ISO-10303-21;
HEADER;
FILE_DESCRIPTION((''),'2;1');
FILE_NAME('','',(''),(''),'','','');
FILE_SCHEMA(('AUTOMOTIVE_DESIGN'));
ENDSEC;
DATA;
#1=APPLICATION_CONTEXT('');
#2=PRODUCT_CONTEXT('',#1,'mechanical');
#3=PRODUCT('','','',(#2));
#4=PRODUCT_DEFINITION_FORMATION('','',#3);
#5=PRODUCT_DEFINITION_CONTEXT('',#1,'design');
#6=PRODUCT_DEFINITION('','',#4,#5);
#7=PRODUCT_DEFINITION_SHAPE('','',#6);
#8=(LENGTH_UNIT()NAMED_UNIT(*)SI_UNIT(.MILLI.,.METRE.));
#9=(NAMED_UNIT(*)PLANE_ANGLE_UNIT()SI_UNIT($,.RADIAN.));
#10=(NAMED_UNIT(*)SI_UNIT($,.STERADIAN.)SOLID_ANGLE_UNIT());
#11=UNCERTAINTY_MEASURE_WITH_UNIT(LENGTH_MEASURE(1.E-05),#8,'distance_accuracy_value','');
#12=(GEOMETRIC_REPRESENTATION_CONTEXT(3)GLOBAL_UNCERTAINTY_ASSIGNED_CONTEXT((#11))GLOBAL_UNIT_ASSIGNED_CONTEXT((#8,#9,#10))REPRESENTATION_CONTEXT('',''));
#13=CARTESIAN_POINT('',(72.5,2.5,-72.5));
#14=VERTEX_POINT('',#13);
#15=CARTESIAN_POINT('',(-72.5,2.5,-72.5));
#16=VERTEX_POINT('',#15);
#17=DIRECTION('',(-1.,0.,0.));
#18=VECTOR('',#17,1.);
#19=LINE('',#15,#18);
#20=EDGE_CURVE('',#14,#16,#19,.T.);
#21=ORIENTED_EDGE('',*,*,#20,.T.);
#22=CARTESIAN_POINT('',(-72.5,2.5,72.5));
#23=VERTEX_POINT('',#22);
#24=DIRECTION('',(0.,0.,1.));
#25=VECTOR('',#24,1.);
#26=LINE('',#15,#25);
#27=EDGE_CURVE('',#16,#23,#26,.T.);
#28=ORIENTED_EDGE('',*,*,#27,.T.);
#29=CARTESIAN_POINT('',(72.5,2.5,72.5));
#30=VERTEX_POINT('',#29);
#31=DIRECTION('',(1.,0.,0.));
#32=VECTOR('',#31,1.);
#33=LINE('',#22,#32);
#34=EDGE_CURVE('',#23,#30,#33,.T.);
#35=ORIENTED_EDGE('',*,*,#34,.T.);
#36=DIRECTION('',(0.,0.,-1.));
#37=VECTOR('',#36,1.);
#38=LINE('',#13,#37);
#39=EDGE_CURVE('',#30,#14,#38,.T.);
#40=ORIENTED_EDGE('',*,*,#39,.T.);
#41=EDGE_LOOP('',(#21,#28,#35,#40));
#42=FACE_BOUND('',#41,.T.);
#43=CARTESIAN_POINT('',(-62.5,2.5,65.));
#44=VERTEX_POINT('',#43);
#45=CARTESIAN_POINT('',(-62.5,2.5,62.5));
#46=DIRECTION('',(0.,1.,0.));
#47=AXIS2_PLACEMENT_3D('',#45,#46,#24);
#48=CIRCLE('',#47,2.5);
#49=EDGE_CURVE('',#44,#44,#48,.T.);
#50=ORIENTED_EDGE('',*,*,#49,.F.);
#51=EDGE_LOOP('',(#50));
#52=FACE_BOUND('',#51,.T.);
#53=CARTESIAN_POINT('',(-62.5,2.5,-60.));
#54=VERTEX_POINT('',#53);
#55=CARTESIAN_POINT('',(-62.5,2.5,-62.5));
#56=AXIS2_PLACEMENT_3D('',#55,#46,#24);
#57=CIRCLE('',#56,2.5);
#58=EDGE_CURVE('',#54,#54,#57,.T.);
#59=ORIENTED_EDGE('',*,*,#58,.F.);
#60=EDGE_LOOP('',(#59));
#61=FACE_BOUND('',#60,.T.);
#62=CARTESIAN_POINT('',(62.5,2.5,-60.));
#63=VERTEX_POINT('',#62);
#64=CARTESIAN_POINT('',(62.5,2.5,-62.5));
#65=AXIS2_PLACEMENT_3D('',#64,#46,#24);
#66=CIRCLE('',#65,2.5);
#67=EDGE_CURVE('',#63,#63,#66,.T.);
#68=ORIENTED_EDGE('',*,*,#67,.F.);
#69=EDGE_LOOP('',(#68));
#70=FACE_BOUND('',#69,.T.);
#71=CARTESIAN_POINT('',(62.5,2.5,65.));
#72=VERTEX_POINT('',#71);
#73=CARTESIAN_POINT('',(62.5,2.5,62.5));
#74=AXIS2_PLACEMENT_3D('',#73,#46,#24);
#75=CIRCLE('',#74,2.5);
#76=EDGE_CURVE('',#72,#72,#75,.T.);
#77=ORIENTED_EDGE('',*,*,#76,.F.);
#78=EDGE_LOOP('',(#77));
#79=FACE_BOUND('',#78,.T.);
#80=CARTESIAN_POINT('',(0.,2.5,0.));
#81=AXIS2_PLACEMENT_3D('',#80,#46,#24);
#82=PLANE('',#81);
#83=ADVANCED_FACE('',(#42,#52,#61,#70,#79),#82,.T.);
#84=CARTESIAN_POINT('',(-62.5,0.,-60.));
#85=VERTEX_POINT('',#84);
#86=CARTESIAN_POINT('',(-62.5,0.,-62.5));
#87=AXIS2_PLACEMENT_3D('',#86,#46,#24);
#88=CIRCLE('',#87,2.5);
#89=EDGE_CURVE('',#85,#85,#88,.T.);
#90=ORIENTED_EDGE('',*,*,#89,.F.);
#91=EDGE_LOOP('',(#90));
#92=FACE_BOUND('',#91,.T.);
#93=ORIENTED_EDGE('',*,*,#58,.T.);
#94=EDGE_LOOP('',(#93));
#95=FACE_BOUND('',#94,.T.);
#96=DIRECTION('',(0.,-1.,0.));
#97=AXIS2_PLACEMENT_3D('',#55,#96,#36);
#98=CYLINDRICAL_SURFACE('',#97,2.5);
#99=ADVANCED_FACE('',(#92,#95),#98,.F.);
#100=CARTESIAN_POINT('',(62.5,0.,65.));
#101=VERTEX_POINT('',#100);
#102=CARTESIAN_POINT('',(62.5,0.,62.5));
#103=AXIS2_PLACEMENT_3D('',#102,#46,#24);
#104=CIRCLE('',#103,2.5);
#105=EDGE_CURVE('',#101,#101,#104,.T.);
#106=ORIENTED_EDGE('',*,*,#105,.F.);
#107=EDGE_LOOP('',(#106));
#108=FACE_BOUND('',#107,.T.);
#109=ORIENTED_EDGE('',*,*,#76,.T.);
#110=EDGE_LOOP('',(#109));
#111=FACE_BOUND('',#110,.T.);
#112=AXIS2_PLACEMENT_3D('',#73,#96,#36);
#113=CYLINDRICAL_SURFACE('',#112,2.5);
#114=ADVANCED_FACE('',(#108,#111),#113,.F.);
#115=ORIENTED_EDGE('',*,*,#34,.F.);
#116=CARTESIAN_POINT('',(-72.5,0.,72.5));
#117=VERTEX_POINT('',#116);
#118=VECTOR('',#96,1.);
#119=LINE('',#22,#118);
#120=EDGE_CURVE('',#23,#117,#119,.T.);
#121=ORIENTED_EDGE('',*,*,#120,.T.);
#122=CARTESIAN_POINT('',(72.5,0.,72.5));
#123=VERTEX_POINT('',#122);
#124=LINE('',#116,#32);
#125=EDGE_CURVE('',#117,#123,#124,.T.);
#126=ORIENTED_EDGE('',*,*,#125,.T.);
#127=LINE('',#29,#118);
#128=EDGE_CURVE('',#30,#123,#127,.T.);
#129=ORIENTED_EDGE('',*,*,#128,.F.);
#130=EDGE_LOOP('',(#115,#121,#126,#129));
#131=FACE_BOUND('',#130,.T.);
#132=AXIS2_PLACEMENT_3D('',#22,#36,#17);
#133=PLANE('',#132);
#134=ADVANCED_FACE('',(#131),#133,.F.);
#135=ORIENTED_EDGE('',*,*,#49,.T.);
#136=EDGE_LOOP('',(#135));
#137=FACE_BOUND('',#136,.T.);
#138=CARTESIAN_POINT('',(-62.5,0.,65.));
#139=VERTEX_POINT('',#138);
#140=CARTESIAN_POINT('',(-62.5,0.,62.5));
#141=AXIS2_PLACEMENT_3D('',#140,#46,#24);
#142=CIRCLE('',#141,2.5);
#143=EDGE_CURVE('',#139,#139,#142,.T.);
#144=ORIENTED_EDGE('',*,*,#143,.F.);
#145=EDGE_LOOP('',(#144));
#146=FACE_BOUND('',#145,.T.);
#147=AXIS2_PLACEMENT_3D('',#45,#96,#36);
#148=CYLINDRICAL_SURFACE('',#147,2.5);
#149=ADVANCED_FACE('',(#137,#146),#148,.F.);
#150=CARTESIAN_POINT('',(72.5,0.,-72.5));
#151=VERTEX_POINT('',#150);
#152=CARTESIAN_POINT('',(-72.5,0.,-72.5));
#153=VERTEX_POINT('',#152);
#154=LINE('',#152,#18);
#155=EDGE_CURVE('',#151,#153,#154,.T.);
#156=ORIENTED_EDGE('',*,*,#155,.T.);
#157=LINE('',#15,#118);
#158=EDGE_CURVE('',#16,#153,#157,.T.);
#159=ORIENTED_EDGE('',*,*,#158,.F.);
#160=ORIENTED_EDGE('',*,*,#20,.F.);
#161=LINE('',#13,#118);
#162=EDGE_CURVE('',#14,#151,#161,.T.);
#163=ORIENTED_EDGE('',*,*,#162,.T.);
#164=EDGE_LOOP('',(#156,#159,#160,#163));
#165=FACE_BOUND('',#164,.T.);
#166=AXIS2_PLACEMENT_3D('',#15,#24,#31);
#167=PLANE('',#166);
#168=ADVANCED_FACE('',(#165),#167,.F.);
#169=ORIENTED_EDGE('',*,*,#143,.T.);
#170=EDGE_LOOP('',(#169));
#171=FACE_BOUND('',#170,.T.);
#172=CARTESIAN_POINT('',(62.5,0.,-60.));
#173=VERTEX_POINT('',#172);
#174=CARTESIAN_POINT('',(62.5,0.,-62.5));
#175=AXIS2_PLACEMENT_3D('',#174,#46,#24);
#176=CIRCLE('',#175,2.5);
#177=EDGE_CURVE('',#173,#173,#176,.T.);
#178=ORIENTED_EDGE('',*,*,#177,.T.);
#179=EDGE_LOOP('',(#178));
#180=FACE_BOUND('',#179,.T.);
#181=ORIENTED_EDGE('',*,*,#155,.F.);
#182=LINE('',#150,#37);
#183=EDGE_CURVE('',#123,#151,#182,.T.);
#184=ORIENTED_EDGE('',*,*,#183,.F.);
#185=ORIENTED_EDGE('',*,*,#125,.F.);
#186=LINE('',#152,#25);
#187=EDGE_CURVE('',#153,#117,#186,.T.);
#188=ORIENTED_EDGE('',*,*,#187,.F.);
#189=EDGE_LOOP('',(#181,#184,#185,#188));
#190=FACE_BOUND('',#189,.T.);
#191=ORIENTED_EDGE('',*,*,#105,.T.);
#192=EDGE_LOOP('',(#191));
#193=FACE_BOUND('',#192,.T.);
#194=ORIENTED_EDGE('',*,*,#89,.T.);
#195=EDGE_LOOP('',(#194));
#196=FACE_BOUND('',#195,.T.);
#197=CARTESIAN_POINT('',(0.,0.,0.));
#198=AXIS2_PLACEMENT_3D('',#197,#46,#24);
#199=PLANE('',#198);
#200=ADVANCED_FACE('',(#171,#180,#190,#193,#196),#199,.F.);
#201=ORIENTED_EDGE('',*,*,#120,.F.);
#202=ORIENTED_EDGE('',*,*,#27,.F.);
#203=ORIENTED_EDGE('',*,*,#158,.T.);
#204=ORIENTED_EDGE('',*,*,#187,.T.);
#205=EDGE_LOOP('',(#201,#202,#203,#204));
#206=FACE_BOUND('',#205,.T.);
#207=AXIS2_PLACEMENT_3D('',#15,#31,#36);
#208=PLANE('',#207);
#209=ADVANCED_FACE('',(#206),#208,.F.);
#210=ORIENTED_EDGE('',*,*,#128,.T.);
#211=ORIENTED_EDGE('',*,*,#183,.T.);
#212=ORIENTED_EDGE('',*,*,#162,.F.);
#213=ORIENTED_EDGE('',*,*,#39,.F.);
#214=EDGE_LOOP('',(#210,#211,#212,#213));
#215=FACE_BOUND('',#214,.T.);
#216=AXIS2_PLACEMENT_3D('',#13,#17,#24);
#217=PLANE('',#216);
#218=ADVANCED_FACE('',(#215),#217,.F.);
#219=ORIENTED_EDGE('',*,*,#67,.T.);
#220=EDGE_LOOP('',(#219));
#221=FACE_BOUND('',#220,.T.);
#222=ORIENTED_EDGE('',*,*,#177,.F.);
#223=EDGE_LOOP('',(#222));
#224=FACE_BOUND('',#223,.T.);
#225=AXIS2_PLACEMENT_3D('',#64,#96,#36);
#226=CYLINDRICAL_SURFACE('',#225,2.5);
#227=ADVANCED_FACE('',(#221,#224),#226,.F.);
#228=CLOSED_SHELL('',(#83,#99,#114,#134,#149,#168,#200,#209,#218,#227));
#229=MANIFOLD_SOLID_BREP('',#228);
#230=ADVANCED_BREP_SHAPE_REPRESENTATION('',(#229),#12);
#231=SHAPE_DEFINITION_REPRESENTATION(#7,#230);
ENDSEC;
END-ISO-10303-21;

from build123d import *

# Parameters (mm, degrees)
SKETCH1_W           = 145
SKETCH1_H           = 145
SKETCH1_R           = 2.5
BOSS_EXTRUDE1_DEPTH = 2.5


with BuildPart() as part:
    # Sketch1 → Boss-Extrude1 (new body)
    with BuildSketch(Plane(origin=(0, 0, 0), x_dir=(1, 0, 0), z_dir=(0, 1, 0))):
        Rectangle(SKETCH1_W, SKETCH1_H)
        with Locations(Location((-62.5, 62.5, 0), (0, 0, 270))):
            Circle(SKETCH1_R, mode=Mode.SUBTRACT)
        with Locations(Location((62.5, 62.5, 0), (0, 0, 270))):
            Circle(SKETCH1_R, mode=Mode.SUBTRACT)
        with Locations(Location((62.5, -62.5, 0), (0, 0, 270))):
            Circle(SKETCH1_R, mode=Mode.SUBTRACT)
        with Locations(Location((-62.5, -62.5, 0), (0, 0, 270))):
            Circle(SKETCH1_R, mode=Mode.SUBTRACT)
    extrude(amount=BOSS_EXTRUDE1_DEPTH)


solid = part.part
